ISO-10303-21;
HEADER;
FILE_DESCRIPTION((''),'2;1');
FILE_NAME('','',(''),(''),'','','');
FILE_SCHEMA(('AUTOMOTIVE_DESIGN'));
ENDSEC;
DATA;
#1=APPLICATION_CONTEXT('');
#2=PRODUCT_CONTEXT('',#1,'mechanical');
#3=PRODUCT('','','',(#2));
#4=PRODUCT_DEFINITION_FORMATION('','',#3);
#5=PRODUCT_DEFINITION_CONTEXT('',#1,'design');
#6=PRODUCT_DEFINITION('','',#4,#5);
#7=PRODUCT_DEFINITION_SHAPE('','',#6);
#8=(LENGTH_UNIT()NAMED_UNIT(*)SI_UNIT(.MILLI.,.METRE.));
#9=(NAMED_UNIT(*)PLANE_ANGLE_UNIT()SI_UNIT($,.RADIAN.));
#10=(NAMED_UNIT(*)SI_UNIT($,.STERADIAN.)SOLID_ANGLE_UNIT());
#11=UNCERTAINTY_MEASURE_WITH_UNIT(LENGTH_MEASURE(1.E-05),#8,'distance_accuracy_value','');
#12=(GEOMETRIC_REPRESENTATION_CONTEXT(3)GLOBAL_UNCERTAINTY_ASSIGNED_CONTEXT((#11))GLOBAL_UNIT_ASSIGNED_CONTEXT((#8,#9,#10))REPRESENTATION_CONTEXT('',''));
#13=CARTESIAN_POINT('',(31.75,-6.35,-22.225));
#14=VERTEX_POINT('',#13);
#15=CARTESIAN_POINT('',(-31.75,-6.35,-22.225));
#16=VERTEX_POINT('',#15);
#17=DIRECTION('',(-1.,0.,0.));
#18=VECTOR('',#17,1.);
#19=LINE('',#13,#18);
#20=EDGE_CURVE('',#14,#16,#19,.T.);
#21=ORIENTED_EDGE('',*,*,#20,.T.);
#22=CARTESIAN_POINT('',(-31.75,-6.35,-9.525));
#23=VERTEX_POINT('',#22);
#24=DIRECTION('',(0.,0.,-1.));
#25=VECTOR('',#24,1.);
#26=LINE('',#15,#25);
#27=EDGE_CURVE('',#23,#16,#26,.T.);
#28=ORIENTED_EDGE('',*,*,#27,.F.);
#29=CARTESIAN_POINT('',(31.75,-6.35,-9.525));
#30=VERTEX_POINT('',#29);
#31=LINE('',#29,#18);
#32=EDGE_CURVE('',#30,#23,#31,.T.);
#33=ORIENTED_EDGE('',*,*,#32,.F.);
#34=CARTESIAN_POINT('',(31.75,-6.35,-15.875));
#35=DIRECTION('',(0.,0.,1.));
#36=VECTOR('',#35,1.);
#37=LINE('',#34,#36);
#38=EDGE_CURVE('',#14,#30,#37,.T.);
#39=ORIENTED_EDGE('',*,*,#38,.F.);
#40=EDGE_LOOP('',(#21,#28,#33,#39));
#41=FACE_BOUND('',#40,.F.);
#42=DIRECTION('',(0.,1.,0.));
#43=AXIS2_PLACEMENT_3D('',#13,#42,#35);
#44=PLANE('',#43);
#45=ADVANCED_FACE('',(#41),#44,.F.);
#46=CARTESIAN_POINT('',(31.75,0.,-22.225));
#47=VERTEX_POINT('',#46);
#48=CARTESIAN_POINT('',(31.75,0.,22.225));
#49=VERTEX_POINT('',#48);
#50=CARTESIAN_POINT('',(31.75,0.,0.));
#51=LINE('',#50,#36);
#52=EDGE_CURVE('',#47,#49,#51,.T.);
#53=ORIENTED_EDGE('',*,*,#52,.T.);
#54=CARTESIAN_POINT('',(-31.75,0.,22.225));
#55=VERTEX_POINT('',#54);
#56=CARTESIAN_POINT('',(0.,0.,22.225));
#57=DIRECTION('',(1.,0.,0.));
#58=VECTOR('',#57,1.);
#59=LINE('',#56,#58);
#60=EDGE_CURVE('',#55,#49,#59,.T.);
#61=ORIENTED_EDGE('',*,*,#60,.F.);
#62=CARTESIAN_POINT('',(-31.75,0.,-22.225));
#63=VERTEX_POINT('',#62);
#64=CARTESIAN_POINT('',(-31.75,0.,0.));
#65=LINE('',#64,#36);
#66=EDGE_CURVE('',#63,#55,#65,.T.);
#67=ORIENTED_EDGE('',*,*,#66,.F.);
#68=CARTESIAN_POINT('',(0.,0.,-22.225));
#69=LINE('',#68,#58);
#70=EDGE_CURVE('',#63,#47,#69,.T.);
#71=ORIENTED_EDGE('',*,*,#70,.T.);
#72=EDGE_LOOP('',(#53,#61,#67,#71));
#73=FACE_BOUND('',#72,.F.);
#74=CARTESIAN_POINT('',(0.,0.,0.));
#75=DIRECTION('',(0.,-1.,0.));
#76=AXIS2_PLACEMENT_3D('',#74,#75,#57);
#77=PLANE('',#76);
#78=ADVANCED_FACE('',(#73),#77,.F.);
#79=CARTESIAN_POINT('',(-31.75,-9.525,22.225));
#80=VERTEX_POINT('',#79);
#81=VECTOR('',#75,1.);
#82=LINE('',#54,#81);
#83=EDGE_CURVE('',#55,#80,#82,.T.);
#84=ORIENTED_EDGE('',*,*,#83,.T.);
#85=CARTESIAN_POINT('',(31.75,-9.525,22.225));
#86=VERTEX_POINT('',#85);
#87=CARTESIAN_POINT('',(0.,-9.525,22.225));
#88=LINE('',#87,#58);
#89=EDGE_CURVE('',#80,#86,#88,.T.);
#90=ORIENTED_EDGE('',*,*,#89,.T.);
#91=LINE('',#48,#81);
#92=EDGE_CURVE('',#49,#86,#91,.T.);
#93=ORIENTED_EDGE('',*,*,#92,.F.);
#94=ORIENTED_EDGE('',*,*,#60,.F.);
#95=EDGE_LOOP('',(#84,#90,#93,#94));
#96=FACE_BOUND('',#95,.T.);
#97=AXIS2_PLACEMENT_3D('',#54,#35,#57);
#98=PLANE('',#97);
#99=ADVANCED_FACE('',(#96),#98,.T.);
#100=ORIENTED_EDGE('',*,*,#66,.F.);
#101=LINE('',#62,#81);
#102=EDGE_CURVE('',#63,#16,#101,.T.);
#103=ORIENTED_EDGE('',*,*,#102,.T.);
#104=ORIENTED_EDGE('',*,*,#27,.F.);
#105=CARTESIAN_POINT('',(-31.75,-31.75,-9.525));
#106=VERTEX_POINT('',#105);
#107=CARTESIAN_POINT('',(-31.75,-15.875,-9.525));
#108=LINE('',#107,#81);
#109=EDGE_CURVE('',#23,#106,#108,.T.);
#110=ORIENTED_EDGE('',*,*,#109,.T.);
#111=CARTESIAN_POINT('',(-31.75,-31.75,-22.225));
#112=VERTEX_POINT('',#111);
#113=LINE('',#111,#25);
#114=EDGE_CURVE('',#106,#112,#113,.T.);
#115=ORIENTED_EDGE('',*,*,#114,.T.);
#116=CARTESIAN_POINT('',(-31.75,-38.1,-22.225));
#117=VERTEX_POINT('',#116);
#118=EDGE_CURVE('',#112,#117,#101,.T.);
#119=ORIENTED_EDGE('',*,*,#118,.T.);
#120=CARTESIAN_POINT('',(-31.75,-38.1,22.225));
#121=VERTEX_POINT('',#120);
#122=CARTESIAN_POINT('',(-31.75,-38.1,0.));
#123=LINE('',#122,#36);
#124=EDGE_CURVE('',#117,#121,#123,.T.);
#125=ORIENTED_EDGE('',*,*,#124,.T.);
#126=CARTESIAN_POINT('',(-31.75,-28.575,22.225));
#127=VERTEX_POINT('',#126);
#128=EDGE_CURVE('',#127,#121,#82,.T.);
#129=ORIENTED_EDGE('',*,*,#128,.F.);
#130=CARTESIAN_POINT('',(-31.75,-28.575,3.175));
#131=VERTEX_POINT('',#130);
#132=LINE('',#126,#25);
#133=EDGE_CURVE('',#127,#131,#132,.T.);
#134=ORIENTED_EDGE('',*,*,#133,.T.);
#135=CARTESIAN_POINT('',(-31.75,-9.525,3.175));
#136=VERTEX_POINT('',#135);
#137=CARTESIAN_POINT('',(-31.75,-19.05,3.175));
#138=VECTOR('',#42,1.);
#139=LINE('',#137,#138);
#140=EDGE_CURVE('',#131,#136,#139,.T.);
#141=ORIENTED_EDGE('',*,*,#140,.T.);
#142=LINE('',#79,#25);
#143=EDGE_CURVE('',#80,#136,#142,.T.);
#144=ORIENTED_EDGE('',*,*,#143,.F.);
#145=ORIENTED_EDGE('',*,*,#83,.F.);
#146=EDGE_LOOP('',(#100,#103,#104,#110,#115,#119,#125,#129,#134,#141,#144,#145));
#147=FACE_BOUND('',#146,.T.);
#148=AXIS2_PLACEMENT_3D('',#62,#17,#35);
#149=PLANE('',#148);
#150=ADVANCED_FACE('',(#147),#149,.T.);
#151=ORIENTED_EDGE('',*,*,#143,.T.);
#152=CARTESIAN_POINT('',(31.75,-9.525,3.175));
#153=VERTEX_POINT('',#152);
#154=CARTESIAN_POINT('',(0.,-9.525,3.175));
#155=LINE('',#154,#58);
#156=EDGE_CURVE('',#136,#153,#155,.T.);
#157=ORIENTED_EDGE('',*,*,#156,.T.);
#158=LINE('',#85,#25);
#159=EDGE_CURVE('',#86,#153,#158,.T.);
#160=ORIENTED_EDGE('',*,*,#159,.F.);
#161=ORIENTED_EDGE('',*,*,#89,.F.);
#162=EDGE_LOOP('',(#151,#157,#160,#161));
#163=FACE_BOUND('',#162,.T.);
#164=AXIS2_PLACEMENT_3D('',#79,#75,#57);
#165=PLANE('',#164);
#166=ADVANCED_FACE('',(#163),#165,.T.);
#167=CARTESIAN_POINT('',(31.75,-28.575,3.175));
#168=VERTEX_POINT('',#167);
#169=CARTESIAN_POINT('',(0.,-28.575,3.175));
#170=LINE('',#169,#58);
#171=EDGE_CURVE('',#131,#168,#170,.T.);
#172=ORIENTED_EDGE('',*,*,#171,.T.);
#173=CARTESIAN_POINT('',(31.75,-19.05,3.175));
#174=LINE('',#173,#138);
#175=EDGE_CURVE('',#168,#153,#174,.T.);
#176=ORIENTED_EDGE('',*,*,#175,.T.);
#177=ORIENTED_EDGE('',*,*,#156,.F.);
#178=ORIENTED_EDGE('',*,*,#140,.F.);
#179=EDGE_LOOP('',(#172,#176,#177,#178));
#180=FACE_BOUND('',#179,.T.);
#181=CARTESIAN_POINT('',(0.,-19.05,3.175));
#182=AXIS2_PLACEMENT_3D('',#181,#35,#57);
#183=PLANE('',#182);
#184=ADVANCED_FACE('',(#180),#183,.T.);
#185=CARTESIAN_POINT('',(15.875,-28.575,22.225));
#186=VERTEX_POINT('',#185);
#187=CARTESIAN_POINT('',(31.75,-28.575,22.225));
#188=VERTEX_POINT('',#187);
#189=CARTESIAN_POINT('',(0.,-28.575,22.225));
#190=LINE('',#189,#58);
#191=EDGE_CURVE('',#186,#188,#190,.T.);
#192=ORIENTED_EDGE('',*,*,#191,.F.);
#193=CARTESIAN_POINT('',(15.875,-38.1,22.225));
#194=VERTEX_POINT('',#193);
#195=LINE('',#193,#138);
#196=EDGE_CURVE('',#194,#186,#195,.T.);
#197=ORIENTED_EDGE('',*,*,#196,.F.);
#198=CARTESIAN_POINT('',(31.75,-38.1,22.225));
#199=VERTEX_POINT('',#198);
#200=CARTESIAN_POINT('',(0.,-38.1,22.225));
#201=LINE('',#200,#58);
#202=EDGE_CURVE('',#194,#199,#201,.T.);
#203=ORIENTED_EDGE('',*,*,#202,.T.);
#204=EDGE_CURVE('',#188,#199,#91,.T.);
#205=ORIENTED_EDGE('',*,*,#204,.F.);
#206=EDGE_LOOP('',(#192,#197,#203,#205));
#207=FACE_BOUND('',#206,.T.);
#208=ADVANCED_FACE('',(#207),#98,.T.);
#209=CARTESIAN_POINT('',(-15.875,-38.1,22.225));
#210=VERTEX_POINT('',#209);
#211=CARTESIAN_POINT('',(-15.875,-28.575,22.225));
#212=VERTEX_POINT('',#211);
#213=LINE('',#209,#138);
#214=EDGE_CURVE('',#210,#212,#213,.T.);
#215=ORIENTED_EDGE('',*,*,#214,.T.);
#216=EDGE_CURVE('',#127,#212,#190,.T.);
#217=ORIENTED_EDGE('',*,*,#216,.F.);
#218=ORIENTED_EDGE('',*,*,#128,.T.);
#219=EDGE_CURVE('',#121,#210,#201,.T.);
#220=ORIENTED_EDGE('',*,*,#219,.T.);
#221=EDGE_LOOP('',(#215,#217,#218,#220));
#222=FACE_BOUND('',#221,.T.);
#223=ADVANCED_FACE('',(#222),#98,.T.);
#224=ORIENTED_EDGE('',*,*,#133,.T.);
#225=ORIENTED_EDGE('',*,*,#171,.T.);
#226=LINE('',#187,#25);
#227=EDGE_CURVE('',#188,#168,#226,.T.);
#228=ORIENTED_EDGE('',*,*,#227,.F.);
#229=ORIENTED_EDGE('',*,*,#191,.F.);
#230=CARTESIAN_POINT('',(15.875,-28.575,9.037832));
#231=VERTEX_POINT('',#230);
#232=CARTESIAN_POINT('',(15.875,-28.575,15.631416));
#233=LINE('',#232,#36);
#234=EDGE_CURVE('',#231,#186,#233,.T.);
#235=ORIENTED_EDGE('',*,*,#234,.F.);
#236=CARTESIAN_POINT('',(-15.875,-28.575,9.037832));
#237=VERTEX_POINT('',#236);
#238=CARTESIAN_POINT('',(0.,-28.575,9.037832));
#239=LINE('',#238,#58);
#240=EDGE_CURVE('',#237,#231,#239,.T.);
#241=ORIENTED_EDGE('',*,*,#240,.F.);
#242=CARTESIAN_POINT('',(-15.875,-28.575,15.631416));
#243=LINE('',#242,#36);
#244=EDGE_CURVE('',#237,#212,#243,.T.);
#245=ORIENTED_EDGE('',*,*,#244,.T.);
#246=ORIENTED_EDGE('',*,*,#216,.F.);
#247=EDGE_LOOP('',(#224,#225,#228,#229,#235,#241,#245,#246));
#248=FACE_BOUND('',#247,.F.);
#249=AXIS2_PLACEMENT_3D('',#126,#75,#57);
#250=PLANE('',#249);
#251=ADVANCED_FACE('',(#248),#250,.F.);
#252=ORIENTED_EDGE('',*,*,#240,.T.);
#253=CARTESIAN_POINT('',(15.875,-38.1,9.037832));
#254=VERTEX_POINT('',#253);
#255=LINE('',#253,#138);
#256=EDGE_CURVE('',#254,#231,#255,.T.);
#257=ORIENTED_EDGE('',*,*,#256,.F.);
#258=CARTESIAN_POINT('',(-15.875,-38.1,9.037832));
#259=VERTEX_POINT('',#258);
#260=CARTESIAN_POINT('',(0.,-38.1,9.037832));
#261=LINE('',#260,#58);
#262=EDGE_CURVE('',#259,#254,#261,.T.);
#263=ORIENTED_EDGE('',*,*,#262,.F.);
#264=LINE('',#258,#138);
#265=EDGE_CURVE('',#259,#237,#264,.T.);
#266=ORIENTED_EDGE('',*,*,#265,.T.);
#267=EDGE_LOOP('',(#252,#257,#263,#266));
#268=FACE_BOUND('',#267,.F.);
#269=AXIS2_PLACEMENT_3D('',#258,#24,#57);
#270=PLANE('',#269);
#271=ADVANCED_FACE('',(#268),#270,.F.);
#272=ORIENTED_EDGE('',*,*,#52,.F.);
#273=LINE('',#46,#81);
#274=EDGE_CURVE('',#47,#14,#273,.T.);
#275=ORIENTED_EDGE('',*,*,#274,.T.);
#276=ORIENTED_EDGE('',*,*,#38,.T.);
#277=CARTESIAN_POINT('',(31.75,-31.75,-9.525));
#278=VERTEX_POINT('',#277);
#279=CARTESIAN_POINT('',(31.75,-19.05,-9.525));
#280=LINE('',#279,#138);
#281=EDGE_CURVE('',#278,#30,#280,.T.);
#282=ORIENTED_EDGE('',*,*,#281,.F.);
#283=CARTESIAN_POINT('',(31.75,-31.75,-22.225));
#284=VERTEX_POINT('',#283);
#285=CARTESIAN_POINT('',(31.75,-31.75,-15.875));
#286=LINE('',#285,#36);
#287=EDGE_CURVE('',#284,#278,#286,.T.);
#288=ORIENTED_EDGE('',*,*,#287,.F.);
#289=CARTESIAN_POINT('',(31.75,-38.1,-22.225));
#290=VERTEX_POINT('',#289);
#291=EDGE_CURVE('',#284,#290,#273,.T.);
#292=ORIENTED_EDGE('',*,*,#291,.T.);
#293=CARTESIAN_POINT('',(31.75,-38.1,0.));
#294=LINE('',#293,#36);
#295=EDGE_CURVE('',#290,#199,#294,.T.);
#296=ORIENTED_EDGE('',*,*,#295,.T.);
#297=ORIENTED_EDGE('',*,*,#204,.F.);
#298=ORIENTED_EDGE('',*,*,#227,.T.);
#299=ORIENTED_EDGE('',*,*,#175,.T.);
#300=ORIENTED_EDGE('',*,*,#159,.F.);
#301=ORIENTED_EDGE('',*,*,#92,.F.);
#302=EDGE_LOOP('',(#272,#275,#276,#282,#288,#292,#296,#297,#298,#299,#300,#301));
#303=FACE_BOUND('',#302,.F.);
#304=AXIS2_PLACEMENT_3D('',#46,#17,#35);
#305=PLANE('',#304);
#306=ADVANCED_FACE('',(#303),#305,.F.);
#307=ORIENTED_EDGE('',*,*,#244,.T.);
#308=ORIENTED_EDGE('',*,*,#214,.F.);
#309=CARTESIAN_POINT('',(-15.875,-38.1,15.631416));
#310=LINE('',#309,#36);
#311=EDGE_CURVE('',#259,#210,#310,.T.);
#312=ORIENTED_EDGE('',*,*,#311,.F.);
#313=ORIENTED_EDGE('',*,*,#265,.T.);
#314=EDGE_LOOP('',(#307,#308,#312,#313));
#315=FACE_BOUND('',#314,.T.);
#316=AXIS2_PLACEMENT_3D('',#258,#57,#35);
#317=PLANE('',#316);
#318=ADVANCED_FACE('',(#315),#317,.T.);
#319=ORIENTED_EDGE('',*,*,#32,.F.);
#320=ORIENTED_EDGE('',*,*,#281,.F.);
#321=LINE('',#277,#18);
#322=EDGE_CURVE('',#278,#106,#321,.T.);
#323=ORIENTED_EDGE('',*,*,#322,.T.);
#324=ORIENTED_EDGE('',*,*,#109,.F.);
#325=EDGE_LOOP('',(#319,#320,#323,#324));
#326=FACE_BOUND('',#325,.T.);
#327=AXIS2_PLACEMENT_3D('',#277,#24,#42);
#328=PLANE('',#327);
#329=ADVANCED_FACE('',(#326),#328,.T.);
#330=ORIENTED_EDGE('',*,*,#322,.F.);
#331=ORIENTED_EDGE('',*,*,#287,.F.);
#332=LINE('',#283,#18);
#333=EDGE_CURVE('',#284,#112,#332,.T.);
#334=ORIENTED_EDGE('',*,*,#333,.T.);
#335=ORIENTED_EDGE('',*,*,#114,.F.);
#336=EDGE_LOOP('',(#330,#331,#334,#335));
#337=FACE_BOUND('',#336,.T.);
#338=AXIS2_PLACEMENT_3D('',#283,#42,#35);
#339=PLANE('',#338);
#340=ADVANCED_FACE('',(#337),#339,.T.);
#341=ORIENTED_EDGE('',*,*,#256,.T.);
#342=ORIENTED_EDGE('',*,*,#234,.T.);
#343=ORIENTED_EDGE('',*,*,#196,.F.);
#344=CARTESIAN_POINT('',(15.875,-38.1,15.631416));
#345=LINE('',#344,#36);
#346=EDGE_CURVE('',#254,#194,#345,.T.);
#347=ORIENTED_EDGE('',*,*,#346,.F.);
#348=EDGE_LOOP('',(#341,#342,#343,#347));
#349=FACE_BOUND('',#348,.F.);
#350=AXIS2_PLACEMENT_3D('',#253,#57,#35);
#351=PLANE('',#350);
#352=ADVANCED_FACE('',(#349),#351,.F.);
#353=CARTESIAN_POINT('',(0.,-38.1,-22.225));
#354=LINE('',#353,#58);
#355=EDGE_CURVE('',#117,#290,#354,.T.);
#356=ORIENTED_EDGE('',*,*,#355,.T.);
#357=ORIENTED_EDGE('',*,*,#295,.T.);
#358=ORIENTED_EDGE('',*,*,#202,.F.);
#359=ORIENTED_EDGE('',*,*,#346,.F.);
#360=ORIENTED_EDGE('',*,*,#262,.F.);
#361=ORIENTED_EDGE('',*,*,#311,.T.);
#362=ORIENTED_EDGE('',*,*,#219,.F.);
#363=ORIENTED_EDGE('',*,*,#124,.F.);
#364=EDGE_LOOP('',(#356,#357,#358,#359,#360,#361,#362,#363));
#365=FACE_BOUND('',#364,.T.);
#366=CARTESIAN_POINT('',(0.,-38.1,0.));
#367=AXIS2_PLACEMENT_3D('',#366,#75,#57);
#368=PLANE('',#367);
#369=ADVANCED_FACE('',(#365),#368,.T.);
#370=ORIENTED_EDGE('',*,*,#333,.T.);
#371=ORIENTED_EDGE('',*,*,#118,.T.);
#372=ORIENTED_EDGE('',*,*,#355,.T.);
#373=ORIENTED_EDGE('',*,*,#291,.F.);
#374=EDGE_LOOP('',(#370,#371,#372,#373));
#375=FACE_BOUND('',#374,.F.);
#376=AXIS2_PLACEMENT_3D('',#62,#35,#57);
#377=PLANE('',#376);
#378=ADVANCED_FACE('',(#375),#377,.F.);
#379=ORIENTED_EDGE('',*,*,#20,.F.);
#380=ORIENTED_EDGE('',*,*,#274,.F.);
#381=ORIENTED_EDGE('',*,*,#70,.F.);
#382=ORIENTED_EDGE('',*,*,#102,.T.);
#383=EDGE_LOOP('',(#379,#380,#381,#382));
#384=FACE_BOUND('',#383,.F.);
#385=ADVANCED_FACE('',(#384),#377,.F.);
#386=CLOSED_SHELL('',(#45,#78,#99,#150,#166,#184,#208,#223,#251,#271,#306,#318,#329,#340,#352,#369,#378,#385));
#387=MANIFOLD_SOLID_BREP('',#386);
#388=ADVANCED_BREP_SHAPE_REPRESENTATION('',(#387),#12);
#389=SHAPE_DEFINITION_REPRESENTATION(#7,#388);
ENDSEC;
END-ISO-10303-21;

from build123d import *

# Parameters (mm, degrees)
F0_W     = 63.5
F0_H     = 44.45
F1_DEPTH = 38.1
F2_W     = 31.75
F2_H     = 13.187168
F3_DEPTH = 9.525
F4_W     = 63.5
F4_H     = 19.05
F5_DEPTH = 19.05
F6_W     = 25.4
F6_H     = 12.7
F7_DEPTH = 63.501


with BuildPart() as f1:
    # F0 (on Front) → F1 (new body)
    with BuildSketch(Plane.XZ):
        Rectangle(F0_W, F0_H)
    extrude(amount=F1_DEPTH)

    # F2 (on face) → F3 (cut)
    with BuildSketch(Plane.XZ.offset(38.1)):
        with Locations((0, 15.631416)):
            Rectangle(F2_W, F2_H)
    extrude(amount=-F3_DEPTH, mode=Mode.SUBTRACT)

    # F4 (on face) → F5 (cut)
    with BuildSketch(Plane.XY.offset(22.225)):
        with Locations((0, -19.05)):
            Rectangle(F4_W, F4_H)
    extrude(amount=-F5_DEPTH, mode=Mode.SUBTRACT)

    # F6 (on face) → F7 (cut, through all)
    with BuildSketch(Plane.YZ.offset(31.75)):
        with Locations((-19.05, -15.875)):
            Rectangle(F6_W, F6_H)
    extrude(amount=-F7_DEPTH, mode=Mode.SUBTRACT)


solid = f1.part
